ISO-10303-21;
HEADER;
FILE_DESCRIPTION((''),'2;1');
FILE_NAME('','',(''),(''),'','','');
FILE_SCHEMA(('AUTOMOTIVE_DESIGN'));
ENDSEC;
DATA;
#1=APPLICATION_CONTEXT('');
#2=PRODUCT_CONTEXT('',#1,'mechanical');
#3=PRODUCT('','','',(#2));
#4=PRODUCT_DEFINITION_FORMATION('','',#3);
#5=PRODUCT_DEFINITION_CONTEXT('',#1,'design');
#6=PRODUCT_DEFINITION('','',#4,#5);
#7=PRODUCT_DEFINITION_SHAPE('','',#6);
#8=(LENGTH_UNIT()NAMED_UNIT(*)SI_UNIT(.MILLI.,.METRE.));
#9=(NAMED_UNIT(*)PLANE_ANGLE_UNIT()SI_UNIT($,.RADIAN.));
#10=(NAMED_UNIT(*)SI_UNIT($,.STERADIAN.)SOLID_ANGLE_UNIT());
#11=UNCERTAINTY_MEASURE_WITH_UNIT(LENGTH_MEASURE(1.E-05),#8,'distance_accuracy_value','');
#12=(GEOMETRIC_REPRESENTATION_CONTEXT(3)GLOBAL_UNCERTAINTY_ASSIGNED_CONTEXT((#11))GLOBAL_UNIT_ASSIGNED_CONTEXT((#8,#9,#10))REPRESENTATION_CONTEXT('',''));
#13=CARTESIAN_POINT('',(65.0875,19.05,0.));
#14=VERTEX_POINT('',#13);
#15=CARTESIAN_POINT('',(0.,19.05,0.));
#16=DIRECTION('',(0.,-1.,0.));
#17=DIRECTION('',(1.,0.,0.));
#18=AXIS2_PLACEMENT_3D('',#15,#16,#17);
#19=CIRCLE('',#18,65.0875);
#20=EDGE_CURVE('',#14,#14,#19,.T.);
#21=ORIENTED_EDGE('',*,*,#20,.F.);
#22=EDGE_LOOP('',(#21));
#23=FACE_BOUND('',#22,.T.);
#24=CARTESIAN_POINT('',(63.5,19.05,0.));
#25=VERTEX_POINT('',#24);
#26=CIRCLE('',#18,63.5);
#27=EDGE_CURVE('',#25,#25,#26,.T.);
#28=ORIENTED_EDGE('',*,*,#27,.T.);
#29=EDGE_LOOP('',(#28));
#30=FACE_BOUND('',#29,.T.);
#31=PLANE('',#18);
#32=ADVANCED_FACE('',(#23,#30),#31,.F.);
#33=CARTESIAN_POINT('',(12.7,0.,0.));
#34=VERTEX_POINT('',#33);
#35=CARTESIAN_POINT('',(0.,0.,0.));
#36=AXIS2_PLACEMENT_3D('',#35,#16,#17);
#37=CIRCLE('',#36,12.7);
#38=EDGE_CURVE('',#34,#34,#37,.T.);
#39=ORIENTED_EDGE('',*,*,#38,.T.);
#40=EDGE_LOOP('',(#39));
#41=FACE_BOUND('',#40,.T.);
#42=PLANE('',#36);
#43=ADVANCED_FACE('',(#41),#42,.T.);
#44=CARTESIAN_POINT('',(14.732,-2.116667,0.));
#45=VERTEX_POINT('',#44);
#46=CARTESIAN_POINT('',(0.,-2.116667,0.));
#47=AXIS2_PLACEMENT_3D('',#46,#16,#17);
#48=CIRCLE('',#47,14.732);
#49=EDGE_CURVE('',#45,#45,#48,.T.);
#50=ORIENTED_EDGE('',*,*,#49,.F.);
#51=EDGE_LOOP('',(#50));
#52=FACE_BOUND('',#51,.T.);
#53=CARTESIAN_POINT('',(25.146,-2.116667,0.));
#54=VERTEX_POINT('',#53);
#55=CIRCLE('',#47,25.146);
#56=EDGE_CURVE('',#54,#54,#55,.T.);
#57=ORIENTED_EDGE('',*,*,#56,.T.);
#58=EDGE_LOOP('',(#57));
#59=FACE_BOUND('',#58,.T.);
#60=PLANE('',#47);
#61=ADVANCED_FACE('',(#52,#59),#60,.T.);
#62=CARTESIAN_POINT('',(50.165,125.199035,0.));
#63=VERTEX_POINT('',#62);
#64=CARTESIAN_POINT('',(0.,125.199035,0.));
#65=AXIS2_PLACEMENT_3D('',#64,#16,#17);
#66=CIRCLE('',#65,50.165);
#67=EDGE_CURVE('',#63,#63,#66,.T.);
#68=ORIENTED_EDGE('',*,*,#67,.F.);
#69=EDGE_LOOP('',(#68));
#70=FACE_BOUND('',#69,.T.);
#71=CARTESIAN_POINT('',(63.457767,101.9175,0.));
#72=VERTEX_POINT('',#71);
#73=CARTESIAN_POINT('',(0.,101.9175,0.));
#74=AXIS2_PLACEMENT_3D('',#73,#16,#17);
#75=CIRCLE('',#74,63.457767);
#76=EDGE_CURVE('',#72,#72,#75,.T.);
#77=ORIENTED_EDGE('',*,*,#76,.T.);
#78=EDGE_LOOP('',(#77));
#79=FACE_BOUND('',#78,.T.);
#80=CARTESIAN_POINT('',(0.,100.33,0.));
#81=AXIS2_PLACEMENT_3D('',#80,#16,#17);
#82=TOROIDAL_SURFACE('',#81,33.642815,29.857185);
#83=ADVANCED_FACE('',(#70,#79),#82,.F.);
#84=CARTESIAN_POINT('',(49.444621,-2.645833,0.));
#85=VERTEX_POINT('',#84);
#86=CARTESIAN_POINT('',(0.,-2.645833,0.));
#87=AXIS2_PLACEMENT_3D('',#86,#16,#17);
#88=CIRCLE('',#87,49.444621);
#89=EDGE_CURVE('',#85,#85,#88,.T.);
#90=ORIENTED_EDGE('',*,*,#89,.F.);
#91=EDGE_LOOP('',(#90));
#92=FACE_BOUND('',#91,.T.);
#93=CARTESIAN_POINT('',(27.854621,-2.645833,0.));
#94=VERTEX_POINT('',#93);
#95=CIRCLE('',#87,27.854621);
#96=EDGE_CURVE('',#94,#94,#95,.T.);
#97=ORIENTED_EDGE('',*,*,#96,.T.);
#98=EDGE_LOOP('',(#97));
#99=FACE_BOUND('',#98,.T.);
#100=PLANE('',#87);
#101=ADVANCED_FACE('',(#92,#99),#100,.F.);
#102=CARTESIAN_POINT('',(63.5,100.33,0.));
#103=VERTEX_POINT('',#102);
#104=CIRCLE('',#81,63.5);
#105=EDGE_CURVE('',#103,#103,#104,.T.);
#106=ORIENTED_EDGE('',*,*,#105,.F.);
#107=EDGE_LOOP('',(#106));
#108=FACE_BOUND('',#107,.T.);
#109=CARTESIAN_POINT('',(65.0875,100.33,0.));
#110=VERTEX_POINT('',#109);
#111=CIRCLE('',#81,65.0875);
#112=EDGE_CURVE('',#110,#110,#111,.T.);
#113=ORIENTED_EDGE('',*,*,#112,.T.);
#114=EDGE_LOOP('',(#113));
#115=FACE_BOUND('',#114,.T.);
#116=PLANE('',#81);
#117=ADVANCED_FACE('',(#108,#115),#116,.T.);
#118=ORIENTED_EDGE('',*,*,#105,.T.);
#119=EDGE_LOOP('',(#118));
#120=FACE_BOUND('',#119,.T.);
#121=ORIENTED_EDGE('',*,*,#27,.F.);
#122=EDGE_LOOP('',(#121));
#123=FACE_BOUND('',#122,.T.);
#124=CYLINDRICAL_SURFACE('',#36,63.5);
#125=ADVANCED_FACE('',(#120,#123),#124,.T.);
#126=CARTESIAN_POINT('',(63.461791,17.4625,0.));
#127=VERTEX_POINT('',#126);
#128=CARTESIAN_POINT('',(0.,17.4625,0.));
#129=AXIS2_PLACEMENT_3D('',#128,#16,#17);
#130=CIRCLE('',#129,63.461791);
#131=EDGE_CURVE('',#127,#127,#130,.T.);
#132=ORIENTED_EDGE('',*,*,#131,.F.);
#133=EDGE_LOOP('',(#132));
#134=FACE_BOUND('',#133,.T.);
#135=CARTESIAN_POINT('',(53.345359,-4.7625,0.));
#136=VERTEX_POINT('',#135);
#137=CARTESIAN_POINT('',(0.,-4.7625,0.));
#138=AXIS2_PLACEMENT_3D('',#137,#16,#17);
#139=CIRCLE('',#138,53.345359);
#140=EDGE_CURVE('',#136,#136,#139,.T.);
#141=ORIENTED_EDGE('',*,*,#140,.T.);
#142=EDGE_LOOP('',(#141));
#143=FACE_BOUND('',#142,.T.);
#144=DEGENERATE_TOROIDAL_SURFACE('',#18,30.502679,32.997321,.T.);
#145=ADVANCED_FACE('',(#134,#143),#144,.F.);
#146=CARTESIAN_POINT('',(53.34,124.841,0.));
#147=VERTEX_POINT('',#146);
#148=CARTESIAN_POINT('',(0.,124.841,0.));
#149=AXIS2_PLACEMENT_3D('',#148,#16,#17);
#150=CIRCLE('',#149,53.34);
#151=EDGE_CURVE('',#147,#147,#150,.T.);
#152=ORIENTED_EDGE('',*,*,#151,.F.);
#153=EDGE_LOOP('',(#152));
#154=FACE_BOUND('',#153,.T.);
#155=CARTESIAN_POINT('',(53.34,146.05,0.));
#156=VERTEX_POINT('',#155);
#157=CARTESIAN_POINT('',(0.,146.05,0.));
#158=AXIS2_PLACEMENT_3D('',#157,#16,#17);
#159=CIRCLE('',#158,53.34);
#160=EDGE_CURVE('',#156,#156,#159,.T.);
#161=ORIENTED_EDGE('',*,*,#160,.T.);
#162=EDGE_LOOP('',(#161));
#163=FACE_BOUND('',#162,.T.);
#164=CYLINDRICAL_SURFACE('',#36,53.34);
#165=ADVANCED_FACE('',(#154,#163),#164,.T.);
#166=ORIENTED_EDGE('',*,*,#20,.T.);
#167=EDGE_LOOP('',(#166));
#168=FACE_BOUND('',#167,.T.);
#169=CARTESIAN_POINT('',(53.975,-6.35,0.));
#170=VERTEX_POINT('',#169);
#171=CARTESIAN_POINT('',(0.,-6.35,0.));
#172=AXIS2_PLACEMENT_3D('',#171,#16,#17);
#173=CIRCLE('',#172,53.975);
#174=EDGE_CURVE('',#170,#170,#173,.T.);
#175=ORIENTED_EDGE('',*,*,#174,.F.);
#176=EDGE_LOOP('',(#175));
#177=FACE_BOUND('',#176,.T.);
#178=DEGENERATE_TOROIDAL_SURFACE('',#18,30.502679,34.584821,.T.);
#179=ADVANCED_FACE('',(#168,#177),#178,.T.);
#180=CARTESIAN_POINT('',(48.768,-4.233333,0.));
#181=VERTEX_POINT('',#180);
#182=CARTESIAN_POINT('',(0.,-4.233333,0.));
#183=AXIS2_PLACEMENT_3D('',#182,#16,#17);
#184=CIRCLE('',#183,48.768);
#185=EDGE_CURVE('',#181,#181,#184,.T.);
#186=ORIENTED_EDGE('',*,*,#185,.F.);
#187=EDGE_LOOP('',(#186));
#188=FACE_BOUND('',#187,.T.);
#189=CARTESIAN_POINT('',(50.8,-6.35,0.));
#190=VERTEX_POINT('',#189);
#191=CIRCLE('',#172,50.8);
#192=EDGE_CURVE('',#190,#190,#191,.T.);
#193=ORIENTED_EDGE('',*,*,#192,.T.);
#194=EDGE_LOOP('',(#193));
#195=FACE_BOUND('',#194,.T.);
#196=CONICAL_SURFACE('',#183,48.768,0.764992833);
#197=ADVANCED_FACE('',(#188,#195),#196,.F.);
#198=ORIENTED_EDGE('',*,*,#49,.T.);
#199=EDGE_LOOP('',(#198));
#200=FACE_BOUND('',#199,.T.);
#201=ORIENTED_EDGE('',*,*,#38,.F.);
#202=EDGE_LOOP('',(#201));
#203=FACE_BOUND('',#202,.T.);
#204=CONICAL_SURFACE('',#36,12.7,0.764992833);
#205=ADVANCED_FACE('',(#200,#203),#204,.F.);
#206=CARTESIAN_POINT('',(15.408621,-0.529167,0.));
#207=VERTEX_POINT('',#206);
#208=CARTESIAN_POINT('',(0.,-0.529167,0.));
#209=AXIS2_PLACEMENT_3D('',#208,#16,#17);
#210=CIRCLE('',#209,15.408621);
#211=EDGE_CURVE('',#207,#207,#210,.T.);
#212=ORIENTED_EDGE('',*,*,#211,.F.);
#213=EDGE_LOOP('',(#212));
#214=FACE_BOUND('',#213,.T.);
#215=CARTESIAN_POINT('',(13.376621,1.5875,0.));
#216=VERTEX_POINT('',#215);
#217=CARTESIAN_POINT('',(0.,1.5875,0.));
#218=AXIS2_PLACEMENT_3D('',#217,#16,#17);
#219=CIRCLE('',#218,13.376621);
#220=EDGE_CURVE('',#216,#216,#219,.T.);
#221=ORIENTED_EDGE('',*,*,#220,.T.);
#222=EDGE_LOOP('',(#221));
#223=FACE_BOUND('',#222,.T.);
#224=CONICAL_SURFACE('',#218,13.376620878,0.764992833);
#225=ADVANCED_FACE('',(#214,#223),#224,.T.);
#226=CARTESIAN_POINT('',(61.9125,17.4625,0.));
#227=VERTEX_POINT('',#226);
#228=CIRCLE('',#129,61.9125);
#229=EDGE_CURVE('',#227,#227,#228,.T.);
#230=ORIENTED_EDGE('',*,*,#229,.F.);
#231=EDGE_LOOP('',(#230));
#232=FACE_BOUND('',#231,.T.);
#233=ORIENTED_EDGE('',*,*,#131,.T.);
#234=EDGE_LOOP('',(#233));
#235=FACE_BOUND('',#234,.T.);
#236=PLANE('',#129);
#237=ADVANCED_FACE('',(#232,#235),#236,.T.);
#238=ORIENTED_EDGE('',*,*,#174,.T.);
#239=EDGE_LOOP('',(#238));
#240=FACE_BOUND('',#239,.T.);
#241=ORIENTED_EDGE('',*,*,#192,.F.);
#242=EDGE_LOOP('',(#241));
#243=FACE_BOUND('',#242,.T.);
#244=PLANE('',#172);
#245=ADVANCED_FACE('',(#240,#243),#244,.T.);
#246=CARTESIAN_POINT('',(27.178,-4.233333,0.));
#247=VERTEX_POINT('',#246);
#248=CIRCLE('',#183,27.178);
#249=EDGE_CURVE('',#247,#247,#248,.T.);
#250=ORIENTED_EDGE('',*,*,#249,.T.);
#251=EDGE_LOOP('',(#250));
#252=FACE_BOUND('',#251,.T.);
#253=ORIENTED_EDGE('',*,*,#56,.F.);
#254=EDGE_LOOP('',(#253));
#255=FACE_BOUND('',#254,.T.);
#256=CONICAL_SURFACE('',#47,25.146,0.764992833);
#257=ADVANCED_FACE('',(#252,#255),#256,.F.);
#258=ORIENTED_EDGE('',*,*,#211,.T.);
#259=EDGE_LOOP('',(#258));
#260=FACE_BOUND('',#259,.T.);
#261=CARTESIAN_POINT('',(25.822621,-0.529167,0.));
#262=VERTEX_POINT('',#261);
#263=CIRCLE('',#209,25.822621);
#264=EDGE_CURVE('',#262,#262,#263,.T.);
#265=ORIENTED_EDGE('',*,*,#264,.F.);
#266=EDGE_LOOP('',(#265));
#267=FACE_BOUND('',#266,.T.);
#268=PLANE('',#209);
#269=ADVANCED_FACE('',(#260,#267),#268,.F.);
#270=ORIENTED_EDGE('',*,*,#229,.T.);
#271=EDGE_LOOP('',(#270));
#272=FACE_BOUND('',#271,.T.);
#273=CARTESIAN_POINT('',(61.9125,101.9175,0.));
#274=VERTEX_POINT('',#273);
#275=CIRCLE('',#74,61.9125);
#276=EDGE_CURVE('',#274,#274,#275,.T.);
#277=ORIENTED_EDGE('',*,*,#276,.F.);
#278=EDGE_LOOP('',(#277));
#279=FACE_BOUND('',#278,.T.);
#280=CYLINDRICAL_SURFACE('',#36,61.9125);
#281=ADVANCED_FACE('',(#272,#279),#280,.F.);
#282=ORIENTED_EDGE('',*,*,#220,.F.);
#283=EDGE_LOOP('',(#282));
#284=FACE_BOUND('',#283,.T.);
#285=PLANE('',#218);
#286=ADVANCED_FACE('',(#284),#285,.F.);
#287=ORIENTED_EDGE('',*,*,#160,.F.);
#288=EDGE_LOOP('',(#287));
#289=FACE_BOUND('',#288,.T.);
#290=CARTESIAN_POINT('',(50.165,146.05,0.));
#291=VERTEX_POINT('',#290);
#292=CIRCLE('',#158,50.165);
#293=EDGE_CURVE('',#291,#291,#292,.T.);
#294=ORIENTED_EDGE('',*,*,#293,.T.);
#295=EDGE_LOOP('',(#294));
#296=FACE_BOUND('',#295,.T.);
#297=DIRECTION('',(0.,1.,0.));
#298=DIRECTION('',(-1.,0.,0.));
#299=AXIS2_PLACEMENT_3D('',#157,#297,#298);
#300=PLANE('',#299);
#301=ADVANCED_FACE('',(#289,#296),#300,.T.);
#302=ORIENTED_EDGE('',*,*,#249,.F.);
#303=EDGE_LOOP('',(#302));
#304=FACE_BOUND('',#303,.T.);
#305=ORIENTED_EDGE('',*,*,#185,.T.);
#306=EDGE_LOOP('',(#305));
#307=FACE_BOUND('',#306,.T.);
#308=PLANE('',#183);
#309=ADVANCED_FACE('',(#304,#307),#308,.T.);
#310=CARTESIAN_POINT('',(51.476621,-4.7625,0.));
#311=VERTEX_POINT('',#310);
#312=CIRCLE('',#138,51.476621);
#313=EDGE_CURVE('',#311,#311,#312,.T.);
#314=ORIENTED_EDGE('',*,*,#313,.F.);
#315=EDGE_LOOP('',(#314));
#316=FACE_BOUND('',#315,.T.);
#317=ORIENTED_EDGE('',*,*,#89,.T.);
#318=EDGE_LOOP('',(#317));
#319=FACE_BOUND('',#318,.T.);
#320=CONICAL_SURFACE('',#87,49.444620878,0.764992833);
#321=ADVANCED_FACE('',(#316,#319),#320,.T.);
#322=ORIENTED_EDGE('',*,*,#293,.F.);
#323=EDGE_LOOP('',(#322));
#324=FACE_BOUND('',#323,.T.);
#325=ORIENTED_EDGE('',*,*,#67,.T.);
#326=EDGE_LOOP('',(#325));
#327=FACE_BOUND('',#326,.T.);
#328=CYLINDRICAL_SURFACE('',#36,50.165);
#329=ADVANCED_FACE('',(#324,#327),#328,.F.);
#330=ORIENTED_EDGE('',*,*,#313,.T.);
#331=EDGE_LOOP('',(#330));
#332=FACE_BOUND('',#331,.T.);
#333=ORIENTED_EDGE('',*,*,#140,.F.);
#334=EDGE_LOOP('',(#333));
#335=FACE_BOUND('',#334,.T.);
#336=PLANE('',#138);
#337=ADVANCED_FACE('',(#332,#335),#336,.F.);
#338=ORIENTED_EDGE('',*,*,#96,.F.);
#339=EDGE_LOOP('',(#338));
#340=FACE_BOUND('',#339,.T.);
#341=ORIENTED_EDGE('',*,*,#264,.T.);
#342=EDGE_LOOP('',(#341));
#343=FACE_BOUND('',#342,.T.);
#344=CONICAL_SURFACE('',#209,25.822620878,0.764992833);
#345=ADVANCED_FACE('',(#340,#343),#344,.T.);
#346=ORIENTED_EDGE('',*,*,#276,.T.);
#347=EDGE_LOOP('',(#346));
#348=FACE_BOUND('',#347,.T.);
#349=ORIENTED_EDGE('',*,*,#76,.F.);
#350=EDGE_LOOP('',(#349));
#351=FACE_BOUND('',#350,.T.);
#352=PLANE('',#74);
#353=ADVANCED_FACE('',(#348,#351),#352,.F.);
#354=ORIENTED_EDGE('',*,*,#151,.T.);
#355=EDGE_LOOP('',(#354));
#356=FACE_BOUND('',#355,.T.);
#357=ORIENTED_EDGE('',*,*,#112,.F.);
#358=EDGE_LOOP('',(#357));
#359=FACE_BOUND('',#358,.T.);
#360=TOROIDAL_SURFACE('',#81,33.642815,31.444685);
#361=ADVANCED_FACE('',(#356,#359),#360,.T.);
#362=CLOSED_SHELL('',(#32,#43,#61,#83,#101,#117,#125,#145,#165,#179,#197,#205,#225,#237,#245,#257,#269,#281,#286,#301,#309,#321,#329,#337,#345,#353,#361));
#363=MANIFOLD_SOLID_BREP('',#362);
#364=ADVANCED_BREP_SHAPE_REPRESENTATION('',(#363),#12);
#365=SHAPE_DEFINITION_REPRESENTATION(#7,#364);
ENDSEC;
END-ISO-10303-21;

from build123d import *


with BuildPart() as part:
    # Sketch1 → Revolve1 (revolve)
    with BuildSketch(Plane.XY):
        with BuildLine():
            Line((0, 1.5875), (0, 0))
            Line((0, 0), (12.7, 0))
            Line((12.7, 0), (14.732, -2.116666667))
            Line((14.732, -2.116666667), (25.146, -2.116666667))
            Line((25.146, -2.116666667), (27.178, -4.233333333))
            Line((27.178, -4.233333333), (48.768, -4.233333333))
            Line((48.768, -4.233333333), (50.8, -6.35))
            Line((50.8, -6.35), (53.975, -6.35))
            ThreePointArc((53.975, -6.35), (62.187816399, 5.1877522), (65.0875, 19.05))
            Line((65.0875, 19.05), (63.5, 19.05))
            Line((63.5, 19.05), (63.5, 100.33))
            Line((63.5, 100.33), (65.0875, 100.33))
            ThreePointArc((65.0875, 100.33), (61.99894302, 113.920372302), (53.34, 124.841))
            Line((53.34, 124.841), (53.34, 146.05))
            Line((53.34, 146.05), (50.165, 146.05))
            Line((50.165, 146.05), (50.165, 125.199035015))
            ThreePointArc((50.165, 125.199035015), (50.967982729, 124.646456623), (51.7525, 124.067961338))
            ThreePointArc((51.7525, 124.067961338), (60.040796597, 114.279841026), (63.457766616, 101.9175))
            Line((63.457766616, 101.9175), (61.9125, 101.9175))
            Line((61.9125, 101.9175), (61.9125, 17.4625))
            Line((61.9125, 17.4625), (63.461790592, 17.4625))
            ThreePointArc((63.461790592, 17.4625), (60.535122298, 5.379756942), (53.345359351, -4.7625))
            Line((53.345359351, -4.7625), (51.476620878, -4.7625))
            Line((51.476620878, -4.7625), (49.444620878, -2.645833333))
            Line((49.444620878, -2.645833333), (27.854620878, -2.645833333))
            Line((27.854620878, -2.645833333), (25.822620878, -0.529166667))
            Line((25.822620878, -0.529166667), (15.408620878, -0.529166667))
            Line((15.408620878, -0.529166667), (13.376620878, 1.5875))
            Line((13.376620878, 1.5875), (1.5875, 1.5875))
            Line((1.5875, 1.5875), (0, 1.5875))
        make_face()
    revolve(axis=Axis((0, 0, 0), (0, 1, 0)))


solid = part.part
